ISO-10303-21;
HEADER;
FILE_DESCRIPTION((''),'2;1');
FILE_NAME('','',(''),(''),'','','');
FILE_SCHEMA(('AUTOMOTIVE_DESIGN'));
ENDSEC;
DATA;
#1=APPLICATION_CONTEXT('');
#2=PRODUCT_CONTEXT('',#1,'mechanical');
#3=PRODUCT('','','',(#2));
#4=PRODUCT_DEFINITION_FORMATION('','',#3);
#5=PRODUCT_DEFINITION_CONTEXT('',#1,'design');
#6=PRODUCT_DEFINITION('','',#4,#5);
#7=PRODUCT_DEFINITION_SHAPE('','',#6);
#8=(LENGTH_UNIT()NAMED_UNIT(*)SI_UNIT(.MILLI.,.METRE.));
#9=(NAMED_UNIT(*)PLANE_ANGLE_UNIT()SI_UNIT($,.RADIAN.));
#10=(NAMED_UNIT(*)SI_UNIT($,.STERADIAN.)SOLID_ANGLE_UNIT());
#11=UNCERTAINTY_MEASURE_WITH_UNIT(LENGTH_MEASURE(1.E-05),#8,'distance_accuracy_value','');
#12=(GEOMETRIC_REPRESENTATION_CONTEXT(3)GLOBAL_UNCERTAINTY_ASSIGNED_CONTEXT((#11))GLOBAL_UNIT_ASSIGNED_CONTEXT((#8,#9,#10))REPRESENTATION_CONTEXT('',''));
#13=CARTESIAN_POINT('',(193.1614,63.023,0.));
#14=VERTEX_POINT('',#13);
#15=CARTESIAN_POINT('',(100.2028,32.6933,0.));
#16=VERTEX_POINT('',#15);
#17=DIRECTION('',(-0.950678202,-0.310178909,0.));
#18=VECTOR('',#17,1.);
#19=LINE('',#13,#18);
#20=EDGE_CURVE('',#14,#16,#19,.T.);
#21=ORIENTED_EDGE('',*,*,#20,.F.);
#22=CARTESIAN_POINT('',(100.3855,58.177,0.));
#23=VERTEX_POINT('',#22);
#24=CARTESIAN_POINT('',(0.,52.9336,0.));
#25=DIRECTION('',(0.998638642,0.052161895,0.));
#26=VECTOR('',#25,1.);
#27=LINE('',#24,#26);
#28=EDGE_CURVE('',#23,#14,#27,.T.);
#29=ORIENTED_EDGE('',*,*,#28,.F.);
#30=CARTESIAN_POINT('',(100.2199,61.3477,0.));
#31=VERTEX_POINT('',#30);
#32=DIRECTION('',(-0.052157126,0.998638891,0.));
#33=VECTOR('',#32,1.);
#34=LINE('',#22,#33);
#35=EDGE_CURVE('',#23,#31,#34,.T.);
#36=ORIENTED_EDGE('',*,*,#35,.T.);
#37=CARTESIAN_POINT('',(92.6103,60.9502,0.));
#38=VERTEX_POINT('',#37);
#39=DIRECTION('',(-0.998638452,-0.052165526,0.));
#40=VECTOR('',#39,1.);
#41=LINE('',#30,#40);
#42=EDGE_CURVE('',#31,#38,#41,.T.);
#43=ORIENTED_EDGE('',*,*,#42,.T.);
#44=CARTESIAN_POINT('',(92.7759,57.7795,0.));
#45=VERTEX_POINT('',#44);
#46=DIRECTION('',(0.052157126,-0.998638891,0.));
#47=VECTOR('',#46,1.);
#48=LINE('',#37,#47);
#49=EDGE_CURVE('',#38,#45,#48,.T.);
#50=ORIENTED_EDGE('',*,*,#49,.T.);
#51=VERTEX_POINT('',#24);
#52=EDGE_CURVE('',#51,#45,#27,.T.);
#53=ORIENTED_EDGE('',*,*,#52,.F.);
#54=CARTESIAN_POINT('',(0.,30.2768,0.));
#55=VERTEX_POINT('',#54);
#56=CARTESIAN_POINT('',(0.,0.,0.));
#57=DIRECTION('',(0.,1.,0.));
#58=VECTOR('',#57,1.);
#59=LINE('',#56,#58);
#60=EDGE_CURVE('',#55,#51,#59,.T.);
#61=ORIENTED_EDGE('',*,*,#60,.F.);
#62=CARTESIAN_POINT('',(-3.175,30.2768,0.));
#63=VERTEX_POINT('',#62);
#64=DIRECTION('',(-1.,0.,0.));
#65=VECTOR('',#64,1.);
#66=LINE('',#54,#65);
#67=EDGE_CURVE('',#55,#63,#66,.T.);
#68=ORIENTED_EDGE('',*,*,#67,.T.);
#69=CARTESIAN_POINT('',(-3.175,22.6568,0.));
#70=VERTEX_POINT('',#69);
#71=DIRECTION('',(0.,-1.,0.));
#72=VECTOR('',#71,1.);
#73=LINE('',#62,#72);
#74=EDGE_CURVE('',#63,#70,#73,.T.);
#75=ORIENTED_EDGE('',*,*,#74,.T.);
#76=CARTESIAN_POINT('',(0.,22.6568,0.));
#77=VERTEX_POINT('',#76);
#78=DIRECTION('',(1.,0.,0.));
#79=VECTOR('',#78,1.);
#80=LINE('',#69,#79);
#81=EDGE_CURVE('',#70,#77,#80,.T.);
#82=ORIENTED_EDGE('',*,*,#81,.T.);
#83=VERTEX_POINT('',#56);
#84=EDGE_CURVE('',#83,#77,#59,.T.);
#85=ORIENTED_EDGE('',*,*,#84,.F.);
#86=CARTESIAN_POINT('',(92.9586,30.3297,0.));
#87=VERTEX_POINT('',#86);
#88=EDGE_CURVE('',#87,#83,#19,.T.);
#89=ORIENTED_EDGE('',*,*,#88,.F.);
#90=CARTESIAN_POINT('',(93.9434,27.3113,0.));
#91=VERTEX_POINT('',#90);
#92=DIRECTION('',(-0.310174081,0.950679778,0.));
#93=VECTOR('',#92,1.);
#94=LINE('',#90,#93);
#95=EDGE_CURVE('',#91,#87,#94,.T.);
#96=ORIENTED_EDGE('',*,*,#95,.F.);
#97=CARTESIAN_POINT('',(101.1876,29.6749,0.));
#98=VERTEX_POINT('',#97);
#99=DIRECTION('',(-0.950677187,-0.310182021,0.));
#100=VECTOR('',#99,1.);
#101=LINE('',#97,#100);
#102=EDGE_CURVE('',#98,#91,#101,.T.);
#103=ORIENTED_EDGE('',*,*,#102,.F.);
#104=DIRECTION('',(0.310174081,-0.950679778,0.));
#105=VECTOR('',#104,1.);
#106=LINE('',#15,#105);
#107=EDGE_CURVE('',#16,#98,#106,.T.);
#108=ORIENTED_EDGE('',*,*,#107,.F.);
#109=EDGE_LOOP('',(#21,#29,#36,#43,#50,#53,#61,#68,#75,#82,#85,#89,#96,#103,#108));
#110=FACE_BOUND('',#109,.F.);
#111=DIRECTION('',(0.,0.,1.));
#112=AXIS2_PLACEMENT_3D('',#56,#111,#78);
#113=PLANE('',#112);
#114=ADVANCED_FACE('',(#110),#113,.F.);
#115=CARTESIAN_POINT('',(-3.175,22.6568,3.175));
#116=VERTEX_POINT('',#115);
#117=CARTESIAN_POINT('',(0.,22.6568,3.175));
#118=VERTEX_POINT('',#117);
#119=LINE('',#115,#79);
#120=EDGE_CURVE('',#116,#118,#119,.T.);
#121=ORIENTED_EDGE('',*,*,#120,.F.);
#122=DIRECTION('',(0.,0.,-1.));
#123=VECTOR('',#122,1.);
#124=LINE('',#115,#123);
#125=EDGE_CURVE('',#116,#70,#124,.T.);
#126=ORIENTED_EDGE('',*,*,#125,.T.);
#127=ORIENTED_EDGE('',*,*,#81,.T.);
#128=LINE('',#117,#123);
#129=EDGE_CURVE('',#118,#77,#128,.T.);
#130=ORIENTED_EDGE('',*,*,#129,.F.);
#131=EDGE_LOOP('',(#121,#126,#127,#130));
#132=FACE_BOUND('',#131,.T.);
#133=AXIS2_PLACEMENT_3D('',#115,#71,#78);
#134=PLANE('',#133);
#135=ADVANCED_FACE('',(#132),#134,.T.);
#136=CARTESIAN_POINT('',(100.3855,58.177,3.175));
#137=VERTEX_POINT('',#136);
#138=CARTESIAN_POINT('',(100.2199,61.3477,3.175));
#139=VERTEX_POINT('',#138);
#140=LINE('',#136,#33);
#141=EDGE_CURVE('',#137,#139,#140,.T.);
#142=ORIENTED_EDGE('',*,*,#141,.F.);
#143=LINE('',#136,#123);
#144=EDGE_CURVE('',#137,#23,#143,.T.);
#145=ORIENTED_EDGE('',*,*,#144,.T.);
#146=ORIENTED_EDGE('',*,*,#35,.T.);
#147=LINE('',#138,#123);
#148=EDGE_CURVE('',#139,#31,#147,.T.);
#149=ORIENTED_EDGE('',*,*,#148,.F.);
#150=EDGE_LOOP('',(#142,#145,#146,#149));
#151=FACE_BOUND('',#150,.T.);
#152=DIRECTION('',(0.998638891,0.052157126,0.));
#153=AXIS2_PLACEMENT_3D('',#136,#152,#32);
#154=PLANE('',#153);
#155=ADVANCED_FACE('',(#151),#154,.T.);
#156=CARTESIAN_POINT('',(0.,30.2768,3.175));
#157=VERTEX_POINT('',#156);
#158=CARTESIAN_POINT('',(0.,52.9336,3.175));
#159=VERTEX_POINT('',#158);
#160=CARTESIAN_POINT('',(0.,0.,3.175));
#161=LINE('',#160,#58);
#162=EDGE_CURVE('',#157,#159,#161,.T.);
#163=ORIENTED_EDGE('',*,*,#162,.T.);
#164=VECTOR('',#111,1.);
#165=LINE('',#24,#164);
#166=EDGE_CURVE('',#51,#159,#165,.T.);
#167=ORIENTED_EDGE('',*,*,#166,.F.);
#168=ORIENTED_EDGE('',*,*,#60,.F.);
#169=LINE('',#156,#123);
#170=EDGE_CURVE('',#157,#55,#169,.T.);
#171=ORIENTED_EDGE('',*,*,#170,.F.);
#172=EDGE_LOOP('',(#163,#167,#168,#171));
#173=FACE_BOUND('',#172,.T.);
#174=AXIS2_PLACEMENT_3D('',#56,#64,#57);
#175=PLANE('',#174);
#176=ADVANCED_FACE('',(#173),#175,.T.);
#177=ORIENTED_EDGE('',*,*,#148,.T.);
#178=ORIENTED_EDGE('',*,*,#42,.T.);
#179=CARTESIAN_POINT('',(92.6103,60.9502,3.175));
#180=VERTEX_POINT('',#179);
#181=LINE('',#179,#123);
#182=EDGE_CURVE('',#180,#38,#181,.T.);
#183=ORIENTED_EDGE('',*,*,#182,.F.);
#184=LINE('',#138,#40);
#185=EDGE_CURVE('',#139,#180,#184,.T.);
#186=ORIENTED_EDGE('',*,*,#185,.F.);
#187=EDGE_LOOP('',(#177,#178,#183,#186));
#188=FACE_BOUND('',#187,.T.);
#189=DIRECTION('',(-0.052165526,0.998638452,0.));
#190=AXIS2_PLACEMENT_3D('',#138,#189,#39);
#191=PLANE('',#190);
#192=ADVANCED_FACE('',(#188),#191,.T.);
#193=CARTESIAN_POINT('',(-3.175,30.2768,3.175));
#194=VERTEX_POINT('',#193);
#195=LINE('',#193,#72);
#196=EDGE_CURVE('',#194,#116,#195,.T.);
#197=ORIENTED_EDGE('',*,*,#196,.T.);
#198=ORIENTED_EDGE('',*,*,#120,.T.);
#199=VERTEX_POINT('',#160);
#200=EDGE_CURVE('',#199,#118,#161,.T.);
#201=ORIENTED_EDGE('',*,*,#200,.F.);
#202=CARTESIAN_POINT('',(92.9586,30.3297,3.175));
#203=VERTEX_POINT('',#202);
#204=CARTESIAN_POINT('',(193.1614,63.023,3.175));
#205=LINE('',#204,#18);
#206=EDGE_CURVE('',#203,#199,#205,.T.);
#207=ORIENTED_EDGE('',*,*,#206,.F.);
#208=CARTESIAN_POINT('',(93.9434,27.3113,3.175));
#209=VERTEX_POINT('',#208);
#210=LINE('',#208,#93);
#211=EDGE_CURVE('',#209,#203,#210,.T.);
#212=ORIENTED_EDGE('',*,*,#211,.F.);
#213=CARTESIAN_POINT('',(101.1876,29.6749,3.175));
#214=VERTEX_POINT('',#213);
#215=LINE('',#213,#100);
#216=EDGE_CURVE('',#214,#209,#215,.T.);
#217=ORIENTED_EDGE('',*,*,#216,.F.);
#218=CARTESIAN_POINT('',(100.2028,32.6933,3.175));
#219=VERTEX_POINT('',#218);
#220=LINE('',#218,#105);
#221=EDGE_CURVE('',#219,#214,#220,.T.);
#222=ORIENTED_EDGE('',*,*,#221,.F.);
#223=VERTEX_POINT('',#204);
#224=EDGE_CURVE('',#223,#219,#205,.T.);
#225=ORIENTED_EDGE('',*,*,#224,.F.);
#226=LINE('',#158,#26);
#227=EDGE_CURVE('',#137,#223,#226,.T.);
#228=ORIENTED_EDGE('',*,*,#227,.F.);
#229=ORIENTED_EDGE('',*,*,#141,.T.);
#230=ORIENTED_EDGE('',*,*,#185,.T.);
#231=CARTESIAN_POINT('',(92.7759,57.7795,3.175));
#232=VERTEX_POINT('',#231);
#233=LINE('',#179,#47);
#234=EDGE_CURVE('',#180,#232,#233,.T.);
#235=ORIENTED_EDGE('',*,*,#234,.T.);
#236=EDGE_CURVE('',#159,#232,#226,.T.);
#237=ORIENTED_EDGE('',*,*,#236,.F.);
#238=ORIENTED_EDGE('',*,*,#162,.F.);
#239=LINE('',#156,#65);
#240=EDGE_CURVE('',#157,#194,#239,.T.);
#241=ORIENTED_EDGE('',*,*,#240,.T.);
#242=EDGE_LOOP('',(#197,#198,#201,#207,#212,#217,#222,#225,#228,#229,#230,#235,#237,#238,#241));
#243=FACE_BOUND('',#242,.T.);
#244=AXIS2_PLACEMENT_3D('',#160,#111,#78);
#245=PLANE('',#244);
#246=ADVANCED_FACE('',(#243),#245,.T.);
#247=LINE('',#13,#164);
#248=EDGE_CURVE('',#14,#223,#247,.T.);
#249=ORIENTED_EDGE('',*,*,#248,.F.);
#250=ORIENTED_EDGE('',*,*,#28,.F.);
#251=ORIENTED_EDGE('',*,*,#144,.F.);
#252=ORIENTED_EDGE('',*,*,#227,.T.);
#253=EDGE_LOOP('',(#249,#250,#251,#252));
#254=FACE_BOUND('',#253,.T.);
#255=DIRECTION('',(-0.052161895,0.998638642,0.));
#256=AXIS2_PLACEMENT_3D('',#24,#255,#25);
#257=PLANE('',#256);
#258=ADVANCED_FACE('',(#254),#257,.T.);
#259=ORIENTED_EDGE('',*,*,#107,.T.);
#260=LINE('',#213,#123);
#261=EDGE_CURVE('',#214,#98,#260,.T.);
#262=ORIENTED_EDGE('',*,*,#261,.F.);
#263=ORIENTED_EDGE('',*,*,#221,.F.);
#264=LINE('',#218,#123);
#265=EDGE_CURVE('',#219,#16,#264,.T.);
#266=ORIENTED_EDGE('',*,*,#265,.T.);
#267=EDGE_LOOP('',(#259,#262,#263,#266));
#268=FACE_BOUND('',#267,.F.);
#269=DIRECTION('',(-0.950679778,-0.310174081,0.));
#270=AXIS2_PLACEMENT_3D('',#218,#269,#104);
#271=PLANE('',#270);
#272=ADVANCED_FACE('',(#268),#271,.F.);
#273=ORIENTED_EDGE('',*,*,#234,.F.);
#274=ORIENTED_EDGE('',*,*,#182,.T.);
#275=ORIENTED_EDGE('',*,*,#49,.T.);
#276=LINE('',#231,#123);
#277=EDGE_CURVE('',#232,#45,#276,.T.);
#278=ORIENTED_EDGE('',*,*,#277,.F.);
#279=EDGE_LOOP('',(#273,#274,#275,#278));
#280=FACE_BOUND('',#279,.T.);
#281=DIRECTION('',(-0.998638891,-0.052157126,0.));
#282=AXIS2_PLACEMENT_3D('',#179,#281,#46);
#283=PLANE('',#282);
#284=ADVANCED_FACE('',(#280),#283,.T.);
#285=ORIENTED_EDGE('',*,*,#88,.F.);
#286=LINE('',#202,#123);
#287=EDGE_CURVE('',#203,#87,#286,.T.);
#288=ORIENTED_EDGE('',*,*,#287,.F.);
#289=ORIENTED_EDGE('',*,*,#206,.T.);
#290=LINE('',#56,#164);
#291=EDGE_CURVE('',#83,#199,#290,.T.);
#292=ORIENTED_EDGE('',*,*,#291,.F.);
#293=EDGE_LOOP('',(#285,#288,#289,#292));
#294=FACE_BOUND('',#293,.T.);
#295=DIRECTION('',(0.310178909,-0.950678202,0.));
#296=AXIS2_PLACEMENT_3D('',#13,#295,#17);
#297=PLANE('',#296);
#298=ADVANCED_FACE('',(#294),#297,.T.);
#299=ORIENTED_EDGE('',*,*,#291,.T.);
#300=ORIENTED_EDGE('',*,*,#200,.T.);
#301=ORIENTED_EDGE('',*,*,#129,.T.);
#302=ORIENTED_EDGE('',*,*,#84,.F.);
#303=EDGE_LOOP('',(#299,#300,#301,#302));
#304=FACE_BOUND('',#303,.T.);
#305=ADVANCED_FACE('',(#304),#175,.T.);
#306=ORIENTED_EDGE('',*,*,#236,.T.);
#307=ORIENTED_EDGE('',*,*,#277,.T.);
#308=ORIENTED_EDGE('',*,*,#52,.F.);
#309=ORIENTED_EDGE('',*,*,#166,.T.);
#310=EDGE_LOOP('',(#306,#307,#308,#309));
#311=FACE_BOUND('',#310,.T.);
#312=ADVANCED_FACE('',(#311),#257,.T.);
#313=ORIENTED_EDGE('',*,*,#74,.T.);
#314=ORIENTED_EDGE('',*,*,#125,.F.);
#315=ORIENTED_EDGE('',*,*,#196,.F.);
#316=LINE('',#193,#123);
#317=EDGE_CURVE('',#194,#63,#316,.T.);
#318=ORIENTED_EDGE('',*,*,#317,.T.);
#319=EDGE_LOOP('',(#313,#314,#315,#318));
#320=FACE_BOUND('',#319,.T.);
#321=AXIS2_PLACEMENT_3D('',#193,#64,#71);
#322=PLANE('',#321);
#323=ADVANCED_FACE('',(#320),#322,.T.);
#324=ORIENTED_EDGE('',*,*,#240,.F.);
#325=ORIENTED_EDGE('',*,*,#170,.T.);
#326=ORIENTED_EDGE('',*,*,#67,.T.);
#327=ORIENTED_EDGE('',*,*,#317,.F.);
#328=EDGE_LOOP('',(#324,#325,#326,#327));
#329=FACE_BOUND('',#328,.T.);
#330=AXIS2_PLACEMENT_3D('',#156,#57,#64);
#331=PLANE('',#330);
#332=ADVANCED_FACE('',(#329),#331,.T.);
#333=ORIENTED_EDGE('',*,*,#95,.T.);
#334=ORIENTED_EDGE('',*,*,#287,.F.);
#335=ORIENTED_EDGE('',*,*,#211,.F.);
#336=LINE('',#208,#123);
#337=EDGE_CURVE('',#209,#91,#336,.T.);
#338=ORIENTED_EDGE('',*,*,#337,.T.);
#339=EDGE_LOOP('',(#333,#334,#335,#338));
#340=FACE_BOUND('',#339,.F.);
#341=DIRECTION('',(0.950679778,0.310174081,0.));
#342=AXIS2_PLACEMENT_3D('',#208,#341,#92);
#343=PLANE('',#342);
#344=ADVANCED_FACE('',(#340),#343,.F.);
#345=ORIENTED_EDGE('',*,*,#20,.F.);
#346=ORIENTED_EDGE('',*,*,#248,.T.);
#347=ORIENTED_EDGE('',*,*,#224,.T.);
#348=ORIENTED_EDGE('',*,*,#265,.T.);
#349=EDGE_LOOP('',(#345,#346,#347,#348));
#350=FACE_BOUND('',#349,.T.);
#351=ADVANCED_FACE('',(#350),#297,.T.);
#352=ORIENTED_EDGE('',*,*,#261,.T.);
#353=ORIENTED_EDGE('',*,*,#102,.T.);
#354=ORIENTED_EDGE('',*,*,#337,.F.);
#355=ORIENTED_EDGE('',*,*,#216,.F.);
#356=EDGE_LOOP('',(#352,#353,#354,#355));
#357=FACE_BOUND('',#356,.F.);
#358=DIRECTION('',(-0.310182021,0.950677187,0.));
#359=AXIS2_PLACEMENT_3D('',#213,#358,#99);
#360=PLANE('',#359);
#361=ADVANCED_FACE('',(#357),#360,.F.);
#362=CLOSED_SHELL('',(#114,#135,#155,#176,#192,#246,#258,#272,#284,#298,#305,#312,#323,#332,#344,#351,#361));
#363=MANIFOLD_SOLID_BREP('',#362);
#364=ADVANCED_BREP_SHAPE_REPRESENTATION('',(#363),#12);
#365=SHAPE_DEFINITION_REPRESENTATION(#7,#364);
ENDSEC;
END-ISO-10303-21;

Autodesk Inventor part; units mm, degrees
ref_plane "YZ Plane" through (0, 0, 0) normal (1, 0, 0) x (0, 1, 0)
ref_plane "XZ Plane" through (0, 0, 0) normal (0, 1, 0) x (-1, 0, 0)
ref_plane "XY Plane" through (0, 0, 0) normal (0, 0, 1) x (1, 0, 0)
sketch "Sketch1" plane through (0, 0, 0) normal (0, 0, 1) x (1, 0, 0)
  line L0 (0, 0) -> (0, 52.9336)
  line L1 (0, 52.9336) -> (193.1614, 63.023)
  line L2 (193.1614, 63.023) -> (0, 0)
  dimension "d0" = 52.9336
  dimension "d34" = 15.08
  dimension "d48" = 92.99
extrude "Extrusion1" add sketch "Sketch1" along normal blind 3.175
sketch "Sketch5" plane through (0, 0, 3.175) normal (0, 0, 1) x (1, 0, 0)
  line L0 (0, 52.9336) -> (0, 0) projected
  line L1 (193.1614, 63.023) -> (0, 52.9336) projected
  line L2 (0, 30.2768) -> (-3.175, 30.2768)
  line L3 (-3.175, 30.2768) -> (-3.175, 22.6568)
  line L4 (-3.175, 22.6568) -> (0, 22.6568)
  line L5 (0, 22.6568) -> (0, 30.2768)
  line L6 (100.3855, 58.177) -> (100.2199, 61.3477)
  line L7 (100.2199, 61.3477) -> (92.6103, 60.9502)
  line L8 (92.6103, 60.9502) -> (92.7759, 57.7795)
  line L9 (92.7759, 57.7795) -> (100.3855, 58.177)
  line L10 (0, 0) -> (193.1614, 63.023) projected
  line L11 (100.2028, 32.6933) -> (101.1876, 29.6749)
  line L12 (101.1876, 29.6749) -> (93.9434, 27.3113)
  line L13 (93.9434, 27.3113) -> (92.9586, 30.3297)
  line L14 (92.9586, 30.3297) -> (100.2028, 32.6933)
  point P0 (0, 26.4668)
  point P1 (96.5807, 57.9783)
  point P2 (96.5807, 31.5115)
  dimension "d36" = 7.62
  dimension "d37" = 3.81
  dimension "d38" = 3.175
  dimension "d39" = 3.81
  dimension "d40" = 7.62
  dimension "d41" = 3.175
  dimension "d42" = 3.81
  dimension "d44" = 7.62
  dimension "d45" = 3.175
extrude "Extrusion5" add sketch "Sketch5" against normal blind 3.175 contours L0 L4 L3 L2 | L8 L7 L6 L1 | L10 L11 L12 L13
sketch "Sketch6" plane through (0, 0, 3.175) normal (0, 0, 1) x (1, 0, 0)
  line L0 (0, 0) -> (0, 22.6568)
  line L1 (0, 22.6568) -> (-3.175, 22.6568)
  line L2 (-3.175, 22.6568) -> (-3.175, 30.2768)
  line L3 (-3.175, 22.6568) -> (-3.175, 30.2768) projected
  line L4 (-3.175, 30.2768) -> (0, 30.2768)
  line L5 (0, 30.2768) -> (0, 52.9336)
  line L6 (0, 30.2768) -> (0, 52.9336) projected
  line L7 (0, 52.9336) -> (92.7759, 57.7795)
  line L8 (92.7759, 57.7795) -> (0, 52.9336) projected
  line L9 (92.7759, 57.7795) -> (92.6103, 60.9502)
  line L10 (92.6103, 60.9502) -> (100.2199, 61.3477)
  line L11 (92.6103, 60.9502) -> (100.2199, 61.3477) projected
  line L12 (100.2199, 61.3477) -> (100.3855, 58.177)
  line L13 (100.3855, 58.177) -> (193.1614, 63.023)
  line L14 (100.3855, 58.177) -> (193.1614, 63.023) projected
  line L15 (193.1614, 63.023) -> (100.2028, 32.6933)
  line L16 (101.1876, 29.6749) -> (93.9434, 27.3113) projected
  line L17 (100.2028, 32.6933) -> (101.1876, 29.6749)
  line L18 (101.1876, 29.6749) -> (93.9434, 27.3113)
  line L19 (93.9434, 27.3113) -> (92.9586, 30.3297)
  line L20 (92.9586, 30.3297) -> (0, 0)
  line L21 (92.9586, 30.3297) -> (0, 0) projected
properties part number "Star Side Out" material "Wood (Birch)"
